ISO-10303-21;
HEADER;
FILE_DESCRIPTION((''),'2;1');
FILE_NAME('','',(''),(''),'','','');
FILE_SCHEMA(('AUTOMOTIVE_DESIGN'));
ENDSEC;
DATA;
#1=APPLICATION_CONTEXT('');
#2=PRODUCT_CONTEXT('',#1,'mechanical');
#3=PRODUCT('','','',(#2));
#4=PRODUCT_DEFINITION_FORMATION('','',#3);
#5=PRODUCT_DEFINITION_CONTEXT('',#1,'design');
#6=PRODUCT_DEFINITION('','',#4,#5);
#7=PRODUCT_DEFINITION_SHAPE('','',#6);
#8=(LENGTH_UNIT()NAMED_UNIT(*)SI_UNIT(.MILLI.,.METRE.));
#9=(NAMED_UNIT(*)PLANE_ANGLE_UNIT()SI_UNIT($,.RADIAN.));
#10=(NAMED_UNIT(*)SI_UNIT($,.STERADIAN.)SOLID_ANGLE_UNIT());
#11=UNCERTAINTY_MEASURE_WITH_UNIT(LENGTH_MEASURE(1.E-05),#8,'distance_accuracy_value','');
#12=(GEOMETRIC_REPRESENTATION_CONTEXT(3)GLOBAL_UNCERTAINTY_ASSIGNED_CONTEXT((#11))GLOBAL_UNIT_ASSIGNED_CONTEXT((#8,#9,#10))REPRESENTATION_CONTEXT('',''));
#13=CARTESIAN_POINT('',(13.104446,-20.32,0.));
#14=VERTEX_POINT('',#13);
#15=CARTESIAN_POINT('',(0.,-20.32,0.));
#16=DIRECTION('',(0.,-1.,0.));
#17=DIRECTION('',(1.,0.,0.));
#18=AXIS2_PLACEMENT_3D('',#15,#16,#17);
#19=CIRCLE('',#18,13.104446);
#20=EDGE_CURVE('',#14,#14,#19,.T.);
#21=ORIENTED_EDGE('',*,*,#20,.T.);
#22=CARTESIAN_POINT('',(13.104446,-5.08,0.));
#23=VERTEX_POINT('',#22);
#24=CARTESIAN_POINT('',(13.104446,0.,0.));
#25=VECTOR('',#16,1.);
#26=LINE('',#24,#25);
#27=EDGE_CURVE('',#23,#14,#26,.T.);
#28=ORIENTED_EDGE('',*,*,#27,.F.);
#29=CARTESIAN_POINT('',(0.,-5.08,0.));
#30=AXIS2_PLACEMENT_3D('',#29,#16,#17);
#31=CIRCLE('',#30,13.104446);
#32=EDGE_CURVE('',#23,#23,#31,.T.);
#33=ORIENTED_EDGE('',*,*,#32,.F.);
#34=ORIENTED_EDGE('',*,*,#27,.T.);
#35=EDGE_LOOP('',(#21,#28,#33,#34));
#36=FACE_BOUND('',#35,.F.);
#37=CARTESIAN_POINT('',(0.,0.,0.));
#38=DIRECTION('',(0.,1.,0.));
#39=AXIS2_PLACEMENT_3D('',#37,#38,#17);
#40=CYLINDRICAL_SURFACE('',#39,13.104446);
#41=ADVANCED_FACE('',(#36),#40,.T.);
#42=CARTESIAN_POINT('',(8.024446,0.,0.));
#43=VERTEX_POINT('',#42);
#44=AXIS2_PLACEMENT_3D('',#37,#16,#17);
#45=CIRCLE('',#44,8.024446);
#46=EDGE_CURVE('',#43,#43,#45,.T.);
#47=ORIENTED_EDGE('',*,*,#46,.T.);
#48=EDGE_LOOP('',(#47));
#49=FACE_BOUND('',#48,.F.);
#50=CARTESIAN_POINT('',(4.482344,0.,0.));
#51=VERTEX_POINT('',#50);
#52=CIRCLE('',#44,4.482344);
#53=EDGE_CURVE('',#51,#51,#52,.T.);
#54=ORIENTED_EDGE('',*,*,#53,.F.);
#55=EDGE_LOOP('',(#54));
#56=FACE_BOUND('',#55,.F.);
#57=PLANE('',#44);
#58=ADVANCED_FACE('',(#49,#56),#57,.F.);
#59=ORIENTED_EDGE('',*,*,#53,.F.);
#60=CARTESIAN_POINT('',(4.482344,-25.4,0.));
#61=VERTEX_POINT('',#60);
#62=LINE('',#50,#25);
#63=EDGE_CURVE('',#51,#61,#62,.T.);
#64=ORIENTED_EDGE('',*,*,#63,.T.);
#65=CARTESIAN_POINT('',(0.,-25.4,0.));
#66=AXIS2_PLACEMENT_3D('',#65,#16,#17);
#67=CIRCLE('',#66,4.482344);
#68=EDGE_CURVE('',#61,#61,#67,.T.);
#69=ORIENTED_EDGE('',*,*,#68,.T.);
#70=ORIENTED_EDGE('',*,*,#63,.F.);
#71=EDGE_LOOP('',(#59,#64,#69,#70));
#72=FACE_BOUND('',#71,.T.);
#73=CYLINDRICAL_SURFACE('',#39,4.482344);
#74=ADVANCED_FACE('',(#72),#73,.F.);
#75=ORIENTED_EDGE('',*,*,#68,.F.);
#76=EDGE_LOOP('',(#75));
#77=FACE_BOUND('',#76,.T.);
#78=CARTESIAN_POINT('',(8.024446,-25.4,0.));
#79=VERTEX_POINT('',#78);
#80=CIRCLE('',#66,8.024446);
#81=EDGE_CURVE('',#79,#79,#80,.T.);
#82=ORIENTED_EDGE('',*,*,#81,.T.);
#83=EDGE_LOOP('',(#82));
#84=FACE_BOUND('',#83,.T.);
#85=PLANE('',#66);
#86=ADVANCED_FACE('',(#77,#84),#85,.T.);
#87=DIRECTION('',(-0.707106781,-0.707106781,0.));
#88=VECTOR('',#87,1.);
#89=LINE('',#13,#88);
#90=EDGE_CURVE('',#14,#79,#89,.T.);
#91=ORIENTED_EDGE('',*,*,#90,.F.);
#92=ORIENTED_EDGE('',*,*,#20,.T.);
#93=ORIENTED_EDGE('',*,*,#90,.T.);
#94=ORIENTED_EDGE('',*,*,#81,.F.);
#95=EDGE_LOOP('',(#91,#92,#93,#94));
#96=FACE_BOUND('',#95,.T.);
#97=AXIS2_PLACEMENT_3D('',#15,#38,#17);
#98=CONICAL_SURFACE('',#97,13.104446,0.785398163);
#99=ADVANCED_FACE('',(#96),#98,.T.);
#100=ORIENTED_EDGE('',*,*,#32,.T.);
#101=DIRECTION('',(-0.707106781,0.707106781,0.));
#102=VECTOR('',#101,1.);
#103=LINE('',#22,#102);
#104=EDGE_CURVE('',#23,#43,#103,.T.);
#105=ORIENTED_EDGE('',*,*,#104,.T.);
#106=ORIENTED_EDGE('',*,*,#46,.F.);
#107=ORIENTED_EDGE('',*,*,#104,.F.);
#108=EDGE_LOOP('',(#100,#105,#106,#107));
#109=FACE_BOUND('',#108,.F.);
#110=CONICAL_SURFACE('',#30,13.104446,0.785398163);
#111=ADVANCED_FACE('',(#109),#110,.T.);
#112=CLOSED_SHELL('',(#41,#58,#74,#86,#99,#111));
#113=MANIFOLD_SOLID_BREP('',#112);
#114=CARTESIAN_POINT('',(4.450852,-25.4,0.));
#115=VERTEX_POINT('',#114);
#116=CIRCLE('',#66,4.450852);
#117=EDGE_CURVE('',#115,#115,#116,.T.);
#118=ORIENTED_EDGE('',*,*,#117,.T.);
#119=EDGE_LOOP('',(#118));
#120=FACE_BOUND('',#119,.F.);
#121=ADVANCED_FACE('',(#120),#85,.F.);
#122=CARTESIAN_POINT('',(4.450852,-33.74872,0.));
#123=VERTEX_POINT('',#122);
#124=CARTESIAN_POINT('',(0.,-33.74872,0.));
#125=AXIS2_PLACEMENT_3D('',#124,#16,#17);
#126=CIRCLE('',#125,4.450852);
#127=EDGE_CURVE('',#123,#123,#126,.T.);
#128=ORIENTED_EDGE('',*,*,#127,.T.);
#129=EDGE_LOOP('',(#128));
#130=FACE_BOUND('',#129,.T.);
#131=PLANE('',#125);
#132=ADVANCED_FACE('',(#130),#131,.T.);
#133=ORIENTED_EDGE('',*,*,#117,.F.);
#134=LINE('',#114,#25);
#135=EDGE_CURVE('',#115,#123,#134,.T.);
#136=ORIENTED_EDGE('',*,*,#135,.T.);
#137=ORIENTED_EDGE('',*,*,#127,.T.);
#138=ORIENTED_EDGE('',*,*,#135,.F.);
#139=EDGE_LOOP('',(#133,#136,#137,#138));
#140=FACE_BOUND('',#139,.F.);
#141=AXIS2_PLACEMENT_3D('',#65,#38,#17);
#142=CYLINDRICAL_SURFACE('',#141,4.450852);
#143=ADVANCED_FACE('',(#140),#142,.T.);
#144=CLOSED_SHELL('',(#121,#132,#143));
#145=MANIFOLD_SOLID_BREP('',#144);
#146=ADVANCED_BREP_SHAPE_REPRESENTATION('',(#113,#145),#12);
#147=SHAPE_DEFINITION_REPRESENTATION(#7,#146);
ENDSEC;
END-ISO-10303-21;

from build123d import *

# Parameters (mm, degrees)
F0_R     = 13.104446
F0_R_2   = 4.482344
F1_DEPTH = 25.4
F2_R     = 4.450852
F3_DEPTH = 8.34872
F4_SIZE  = 5.08
F5_SIZE  = 5.08


with BuildPart() as f1:
    # F0 (on Front) → F1 (new body)
    with BuildSketch(Plane.XZ):
        Circle(F0_R)
        Circle(F0_R_2, mode=Mode.SUBTRACT)
    extrude(amount=F1_DEPTH)

    # F4
    f4_edges = [f1.edges().sort_by_distance(p)[0] for p in [
        (-13.104446, -25.4, 0),
    ]]
    chamfer(f4_edges, length=F4_SIZE)

    # F5
    f5_edges = [f1.edges().sort_by_distance(p)[0] for p in [
        (-13.104446, 0, 0),
    ]]
    chamfer(f5_edges, length=F5_SIZE)


with BuildPart() as f3:
    # F2 (on face) → F3 (new body)
    with BuildSketch(Plane.XZ.offset(25.4)):
        Circle(F2_R)
    extrude(amount=F3_DEPTH)


solid = Compound([f1.part, f3.part])
